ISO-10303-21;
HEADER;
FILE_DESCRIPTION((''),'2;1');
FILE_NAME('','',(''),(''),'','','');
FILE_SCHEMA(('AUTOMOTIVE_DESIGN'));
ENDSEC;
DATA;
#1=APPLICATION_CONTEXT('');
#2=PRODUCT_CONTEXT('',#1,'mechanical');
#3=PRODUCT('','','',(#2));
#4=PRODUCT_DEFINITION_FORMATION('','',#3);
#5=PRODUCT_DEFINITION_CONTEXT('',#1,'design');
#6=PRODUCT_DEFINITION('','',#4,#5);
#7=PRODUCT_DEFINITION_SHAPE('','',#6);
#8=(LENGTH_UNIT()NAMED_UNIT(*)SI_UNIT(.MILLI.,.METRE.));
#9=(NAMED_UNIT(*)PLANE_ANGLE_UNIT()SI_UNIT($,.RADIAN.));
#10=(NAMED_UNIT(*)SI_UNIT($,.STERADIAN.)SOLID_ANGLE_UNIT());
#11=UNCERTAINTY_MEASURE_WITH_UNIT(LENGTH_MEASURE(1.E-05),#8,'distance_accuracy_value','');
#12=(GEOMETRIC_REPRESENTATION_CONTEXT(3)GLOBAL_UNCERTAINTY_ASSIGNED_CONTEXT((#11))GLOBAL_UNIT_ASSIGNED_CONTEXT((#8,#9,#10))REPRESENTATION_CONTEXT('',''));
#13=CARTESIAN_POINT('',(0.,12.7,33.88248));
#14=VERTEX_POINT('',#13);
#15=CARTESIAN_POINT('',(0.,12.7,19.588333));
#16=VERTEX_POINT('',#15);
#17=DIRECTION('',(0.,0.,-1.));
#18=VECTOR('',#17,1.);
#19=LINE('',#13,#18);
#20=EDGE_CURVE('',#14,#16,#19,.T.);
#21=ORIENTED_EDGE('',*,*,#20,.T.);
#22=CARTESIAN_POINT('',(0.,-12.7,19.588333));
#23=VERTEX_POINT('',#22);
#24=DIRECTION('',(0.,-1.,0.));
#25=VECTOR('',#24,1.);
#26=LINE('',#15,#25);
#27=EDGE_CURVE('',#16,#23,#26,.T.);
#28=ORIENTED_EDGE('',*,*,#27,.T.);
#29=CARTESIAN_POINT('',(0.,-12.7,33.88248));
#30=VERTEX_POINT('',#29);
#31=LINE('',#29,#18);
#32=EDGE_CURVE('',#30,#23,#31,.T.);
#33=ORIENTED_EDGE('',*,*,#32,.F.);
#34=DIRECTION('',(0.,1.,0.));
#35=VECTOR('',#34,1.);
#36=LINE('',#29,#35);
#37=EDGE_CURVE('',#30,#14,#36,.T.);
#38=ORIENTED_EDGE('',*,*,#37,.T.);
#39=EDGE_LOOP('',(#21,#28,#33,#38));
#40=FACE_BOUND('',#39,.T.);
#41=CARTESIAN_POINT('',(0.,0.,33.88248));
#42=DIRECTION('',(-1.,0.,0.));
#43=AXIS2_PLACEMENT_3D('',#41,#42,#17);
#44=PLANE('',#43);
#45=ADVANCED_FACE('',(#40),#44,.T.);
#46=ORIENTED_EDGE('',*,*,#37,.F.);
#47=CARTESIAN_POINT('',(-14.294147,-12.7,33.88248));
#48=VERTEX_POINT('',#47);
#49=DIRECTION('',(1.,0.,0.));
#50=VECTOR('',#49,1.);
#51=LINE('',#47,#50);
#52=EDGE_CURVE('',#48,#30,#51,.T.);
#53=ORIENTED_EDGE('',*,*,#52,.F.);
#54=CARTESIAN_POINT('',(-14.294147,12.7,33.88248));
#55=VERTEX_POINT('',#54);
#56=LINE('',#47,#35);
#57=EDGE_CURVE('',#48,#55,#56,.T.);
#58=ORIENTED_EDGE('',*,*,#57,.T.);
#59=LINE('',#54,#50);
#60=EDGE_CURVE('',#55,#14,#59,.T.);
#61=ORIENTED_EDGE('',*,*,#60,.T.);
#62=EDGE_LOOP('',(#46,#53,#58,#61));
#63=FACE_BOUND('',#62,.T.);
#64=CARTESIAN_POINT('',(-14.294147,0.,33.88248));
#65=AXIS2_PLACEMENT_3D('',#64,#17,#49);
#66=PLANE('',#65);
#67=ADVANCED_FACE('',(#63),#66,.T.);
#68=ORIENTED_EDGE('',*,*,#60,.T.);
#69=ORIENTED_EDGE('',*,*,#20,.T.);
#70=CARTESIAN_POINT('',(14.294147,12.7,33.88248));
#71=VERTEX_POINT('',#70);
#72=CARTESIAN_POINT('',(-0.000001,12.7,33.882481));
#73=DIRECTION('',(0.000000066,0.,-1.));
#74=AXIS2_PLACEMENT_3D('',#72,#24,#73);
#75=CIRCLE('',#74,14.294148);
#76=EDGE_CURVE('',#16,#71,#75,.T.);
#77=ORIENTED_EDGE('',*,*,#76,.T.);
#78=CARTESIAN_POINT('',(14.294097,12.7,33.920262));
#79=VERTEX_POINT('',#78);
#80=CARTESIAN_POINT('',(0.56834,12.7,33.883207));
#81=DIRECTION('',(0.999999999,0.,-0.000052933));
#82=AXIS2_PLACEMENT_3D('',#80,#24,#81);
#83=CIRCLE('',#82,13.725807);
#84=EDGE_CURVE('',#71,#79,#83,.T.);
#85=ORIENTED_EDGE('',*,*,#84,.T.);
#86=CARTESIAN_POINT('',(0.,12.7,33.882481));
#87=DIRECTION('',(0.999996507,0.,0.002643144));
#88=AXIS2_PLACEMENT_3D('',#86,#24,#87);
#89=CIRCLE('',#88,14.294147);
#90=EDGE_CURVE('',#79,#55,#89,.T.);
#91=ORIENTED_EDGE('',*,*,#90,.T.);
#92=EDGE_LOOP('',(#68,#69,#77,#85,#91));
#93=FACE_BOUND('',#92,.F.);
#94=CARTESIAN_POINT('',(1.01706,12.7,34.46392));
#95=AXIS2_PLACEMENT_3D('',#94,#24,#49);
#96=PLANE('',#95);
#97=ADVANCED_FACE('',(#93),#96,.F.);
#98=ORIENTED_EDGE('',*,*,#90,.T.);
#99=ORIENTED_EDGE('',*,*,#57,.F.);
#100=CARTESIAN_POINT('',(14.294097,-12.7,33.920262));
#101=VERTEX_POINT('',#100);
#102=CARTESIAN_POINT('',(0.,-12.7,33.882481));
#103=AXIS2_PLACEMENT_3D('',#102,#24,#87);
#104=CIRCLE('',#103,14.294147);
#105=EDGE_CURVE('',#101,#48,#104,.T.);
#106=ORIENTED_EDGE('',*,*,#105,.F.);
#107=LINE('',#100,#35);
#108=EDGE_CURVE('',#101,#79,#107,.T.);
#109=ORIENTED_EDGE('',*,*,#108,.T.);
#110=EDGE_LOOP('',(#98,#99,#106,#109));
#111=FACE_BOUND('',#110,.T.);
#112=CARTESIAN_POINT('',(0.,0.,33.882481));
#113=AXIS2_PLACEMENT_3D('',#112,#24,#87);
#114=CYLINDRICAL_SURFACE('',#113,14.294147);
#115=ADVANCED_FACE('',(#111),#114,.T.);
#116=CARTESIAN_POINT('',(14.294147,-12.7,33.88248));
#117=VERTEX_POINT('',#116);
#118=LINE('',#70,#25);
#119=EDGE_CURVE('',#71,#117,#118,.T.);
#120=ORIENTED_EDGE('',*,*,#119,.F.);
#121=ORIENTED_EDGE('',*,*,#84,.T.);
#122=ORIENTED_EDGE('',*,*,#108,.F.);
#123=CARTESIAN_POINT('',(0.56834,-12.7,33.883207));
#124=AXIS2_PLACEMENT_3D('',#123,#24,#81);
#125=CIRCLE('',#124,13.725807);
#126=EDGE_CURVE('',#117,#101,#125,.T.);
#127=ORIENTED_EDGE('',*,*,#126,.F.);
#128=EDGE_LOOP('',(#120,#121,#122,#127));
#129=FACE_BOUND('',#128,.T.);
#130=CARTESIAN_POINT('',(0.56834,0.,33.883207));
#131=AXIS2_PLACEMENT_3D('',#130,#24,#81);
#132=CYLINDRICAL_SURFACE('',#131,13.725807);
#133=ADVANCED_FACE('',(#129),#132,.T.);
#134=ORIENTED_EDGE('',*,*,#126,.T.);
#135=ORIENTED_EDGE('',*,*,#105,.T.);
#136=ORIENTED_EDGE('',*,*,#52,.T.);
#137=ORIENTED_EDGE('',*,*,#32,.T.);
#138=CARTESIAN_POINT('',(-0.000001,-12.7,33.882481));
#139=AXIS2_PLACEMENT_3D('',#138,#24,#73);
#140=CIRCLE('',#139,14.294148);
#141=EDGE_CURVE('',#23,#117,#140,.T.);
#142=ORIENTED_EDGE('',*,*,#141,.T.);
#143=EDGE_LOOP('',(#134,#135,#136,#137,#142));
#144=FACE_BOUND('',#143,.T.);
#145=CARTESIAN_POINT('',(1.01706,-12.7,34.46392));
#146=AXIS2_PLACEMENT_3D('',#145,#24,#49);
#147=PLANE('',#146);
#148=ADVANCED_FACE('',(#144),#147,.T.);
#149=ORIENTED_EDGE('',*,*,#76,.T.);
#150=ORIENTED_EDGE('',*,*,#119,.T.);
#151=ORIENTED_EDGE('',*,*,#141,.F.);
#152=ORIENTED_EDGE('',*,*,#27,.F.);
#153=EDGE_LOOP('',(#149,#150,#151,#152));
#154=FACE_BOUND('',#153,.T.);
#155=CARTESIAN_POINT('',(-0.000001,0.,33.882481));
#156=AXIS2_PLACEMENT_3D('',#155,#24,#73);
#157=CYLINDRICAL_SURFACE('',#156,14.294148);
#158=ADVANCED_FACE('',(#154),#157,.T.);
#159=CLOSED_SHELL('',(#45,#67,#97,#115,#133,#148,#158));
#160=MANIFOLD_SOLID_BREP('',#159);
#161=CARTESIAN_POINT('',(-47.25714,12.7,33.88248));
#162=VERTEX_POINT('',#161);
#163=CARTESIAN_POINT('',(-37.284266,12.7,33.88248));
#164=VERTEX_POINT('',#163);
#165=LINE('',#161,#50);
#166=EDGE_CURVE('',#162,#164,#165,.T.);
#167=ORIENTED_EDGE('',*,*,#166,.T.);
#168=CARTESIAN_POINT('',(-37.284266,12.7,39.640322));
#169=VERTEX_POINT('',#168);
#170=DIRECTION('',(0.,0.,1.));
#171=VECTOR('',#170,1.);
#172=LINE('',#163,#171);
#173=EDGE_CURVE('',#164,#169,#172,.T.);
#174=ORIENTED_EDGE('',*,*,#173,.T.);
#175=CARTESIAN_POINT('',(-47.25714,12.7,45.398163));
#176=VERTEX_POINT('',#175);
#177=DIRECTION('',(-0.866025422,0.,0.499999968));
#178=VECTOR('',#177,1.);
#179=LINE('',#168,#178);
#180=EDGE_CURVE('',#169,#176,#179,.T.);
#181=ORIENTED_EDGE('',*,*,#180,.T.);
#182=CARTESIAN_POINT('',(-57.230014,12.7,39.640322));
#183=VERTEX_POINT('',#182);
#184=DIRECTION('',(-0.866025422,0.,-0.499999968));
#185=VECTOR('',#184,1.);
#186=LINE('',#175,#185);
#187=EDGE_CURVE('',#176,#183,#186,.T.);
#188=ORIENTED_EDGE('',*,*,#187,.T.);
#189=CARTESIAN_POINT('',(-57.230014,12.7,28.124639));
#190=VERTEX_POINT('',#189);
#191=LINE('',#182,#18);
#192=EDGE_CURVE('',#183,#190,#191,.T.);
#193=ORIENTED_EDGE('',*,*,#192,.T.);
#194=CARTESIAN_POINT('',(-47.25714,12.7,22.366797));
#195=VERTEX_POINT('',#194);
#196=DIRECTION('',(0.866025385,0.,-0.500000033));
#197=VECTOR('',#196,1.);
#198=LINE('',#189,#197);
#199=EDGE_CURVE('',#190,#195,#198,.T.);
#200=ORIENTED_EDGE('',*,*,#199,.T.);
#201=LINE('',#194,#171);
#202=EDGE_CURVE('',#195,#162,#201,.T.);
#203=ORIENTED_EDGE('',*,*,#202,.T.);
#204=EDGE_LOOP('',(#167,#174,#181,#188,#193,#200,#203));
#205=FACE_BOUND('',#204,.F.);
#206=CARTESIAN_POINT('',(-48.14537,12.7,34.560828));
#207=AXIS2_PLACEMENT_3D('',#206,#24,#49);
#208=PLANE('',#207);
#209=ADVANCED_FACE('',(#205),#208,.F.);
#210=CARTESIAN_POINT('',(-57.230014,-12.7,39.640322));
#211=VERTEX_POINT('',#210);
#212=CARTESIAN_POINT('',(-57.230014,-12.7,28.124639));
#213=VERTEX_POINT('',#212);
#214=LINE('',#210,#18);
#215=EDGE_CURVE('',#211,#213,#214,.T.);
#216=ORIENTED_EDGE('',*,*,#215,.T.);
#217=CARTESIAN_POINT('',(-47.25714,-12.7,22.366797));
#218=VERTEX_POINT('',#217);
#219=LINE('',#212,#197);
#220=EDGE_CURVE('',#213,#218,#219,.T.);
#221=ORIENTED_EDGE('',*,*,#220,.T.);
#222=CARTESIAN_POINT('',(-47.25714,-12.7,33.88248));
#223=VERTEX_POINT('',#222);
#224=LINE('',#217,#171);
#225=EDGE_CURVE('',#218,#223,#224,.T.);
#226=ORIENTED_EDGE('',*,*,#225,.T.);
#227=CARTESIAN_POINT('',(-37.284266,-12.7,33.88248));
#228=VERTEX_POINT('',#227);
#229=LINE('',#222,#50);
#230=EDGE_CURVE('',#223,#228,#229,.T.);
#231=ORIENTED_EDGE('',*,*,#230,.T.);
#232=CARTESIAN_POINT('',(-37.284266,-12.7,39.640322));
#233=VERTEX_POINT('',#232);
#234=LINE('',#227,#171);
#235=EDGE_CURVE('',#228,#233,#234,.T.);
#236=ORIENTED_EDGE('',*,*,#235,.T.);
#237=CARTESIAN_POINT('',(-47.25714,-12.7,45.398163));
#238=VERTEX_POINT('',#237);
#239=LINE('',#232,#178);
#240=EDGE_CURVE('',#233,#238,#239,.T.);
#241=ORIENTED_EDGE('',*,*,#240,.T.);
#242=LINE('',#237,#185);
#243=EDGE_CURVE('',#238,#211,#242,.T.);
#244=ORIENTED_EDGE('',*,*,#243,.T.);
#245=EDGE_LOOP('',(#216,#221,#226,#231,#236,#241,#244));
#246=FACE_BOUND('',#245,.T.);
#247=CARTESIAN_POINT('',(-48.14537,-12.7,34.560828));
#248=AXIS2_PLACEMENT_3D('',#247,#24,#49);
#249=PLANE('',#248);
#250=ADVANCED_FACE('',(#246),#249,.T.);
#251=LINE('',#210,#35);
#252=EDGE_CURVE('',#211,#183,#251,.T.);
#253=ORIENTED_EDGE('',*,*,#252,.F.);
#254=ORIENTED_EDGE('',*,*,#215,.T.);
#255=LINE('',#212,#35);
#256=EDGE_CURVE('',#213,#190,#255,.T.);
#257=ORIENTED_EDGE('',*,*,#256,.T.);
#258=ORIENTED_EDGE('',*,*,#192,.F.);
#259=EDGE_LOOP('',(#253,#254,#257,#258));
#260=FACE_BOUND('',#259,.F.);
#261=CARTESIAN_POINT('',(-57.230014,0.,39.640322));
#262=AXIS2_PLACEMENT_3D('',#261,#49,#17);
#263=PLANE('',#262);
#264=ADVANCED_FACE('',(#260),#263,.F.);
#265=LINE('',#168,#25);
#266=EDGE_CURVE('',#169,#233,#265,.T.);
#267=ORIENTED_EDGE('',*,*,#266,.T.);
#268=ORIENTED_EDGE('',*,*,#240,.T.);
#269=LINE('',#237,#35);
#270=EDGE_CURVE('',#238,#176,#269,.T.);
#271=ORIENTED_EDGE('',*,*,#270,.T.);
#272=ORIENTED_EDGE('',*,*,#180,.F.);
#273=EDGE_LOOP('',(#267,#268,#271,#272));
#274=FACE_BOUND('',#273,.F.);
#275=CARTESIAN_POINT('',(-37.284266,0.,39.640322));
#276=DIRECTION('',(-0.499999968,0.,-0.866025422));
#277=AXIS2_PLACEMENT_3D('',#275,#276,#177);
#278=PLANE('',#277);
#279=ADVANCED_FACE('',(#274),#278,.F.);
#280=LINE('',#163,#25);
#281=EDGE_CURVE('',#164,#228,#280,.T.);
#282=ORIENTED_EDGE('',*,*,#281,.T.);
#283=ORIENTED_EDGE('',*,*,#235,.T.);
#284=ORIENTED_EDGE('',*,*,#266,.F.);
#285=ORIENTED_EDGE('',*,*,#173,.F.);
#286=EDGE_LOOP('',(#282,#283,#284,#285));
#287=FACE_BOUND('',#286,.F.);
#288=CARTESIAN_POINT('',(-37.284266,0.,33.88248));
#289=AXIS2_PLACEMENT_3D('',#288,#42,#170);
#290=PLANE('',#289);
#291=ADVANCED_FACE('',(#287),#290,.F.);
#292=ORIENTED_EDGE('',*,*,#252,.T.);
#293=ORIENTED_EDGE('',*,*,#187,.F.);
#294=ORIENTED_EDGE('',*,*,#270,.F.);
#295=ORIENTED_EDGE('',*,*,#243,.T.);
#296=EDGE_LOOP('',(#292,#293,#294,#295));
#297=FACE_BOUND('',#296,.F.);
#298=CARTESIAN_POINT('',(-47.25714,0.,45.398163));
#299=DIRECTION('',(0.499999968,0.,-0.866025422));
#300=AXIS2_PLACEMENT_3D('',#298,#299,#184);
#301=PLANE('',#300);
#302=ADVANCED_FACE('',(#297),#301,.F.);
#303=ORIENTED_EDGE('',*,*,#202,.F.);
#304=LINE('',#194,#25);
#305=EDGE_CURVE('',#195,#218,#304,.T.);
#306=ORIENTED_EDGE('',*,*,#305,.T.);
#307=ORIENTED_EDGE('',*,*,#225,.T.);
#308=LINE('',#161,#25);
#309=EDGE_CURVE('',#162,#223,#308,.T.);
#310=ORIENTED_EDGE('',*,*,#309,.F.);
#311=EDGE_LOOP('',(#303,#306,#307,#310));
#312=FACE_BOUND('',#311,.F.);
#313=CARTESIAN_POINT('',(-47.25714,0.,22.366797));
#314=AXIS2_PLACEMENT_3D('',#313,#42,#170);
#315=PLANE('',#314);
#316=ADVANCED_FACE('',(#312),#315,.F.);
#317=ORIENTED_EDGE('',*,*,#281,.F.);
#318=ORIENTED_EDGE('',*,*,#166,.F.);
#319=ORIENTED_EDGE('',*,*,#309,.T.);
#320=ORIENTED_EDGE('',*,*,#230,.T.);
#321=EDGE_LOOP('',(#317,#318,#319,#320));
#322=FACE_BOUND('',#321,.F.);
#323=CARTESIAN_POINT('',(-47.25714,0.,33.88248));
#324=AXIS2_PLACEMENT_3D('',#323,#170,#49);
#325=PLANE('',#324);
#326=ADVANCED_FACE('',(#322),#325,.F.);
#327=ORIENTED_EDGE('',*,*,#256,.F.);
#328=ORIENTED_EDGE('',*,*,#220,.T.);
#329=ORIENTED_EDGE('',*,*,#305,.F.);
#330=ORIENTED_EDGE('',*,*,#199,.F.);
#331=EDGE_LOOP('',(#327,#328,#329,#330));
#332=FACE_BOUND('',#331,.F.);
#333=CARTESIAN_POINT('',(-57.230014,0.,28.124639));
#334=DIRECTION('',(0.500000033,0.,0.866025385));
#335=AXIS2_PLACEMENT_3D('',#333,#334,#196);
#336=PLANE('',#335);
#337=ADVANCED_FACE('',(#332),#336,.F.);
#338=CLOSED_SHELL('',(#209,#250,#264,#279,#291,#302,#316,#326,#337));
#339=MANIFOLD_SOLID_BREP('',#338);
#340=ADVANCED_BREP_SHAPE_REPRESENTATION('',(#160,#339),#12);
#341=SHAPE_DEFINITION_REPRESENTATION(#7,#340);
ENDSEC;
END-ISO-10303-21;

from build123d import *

# Parameters (mm, degrees)
F1_DEPTH = 12.7


with BuildPart() as f1:
    # F0 (on Front) → F1 (new body, symmetric)
    with BuildSketch(Plane.XZ):
        Polygon((-57.230014, 28.124639), (-47.25714, 22.366797), (-47.25714, 33.88248), (-37.284266, 33.88248), (-37.284266, 39.640322), (-47.25714, 45.398163), (-57.230014, 39.640322), align=None)
        with BuildLine():
            Line((0, 33.88248), (0, 19.588333))
            ThreePointArc((0, 19.588333), (10.107488, 23.774992), (14.294147, 33.88248))
            ThreePointArc((14.294147, 33.88248), (14.294135, 33.901371), (14.294097, 33.920262))
            ThreePointArc((14.294097, 33.920262), (-0.018891, 48.176615), (-14.294147, 33.88248))
            Line((-14.294147, 33.88248), (0, 33.88248))
        make_face()
    extrude(amount=F1_DEPTH, both=True)


solid = f1.part
